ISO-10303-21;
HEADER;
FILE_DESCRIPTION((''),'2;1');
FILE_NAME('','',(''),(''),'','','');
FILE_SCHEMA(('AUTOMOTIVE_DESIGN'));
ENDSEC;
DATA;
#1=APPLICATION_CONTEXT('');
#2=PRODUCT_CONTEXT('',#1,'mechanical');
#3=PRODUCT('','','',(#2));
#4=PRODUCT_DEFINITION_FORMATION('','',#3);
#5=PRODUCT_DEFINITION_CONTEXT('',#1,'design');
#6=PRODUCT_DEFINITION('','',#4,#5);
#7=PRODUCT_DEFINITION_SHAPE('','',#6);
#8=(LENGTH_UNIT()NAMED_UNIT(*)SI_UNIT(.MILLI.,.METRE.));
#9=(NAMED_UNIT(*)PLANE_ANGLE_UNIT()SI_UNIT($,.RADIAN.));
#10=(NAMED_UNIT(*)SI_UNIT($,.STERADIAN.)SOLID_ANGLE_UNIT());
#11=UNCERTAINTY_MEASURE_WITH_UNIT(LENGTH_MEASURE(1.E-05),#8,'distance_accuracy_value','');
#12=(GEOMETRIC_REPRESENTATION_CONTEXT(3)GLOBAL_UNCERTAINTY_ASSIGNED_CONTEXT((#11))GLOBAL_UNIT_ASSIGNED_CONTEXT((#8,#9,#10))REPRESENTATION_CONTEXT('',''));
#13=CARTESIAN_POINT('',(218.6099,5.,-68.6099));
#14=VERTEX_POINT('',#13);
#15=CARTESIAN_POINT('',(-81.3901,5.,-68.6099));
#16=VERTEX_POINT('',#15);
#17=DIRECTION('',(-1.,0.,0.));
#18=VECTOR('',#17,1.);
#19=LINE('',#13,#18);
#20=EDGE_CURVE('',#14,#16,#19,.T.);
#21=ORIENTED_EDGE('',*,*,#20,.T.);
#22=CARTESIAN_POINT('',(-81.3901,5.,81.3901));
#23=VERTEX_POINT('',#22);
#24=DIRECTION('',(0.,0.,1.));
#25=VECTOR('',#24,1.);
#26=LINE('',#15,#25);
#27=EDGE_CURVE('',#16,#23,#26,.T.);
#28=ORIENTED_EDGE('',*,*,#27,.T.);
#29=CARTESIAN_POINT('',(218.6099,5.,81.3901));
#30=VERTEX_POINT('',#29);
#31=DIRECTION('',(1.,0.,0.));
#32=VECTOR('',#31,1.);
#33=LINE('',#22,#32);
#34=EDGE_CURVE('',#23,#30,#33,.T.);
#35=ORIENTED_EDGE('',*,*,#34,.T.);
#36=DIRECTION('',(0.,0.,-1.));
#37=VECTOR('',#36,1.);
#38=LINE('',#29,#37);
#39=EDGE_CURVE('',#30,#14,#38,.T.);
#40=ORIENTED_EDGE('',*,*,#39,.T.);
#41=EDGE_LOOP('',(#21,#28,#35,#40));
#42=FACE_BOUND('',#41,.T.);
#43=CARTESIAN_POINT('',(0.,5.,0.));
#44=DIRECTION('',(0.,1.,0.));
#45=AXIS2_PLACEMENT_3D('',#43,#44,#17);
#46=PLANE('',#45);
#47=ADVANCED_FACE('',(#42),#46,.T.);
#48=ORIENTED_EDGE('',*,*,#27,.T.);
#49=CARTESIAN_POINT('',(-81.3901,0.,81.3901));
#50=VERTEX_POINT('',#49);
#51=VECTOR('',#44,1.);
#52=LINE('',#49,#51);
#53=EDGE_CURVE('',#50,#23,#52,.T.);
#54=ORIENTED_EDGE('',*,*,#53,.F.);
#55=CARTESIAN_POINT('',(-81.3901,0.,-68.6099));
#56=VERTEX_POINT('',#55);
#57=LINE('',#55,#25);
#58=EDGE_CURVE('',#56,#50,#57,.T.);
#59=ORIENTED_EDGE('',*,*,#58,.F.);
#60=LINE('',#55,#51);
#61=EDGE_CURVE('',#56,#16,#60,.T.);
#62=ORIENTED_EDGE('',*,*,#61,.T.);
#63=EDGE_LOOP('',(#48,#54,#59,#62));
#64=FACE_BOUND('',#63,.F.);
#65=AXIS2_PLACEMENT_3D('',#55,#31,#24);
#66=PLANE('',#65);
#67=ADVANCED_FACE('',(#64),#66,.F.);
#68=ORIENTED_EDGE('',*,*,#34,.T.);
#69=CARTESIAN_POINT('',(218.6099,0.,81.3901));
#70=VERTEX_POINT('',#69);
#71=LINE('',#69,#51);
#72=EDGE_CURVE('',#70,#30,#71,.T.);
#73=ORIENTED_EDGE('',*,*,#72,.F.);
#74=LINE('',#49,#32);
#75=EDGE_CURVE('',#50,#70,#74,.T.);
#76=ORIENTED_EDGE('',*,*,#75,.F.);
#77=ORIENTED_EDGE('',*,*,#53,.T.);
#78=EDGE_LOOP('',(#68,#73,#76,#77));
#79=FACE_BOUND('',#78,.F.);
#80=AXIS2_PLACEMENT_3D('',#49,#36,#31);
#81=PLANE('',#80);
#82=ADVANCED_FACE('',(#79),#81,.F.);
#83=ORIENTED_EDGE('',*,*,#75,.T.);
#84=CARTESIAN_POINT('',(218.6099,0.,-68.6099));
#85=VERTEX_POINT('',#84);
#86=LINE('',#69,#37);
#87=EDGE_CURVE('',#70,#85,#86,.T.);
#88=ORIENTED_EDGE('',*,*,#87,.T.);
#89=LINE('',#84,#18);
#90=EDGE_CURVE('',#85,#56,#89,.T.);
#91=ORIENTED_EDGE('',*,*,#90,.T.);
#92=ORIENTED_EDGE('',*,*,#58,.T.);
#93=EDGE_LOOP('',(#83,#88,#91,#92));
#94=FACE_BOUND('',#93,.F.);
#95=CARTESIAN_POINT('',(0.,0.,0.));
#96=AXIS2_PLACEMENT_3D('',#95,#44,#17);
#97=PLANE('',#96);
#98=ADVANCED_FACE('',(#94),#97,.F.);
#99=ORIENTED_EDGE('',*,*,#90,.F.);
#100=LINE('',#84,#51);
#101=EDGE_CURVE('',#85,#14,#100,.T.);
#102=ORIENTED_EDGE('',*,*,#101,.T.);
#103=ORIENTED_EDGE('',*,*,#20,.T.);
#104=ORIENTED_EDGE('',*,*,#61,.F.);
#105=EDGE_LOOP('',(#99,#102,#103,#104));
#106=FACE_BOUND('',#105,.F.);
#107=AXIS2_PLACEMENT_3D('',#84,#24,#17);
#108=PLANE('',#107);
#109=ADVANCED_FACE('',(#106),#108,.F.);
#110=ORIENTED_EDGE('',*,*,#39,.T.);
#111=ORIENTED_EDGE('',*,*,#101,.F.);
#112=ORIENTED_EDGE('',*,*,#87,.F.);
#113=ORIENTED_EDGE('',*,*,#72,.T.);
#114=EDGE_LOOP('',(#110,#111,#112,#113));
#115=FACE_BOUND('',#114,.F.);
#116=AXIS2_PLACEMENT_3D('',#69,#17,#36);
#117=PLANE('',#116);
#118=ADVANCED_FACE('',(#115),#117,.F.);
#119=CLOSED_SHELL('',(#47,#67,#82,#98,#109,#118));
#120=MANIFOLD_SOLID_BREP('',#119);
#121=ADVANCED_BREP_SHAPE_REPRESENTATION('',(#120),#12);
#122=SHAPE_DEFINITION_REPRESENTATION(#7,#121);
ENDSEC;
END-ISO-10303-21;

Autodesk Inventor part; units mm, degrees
ref_plane "YZ Plane" through (0, 0, 0) normal (1, 0, 0) x (0, 1, 0)
ref_plane "XZ Plane" through (0, 0, 0) normal (0, 1, 0) x (-1, 0, 0)
ref_plane "XY Plane" through (0, 0, 0) normal (0, 0, 1) x (1, 0, 0)
sketch "Esquisse1" plane through (0, 0, 0) normal (0, 1, 0) x (-1, 0, 0)
  line L0 (81.3901, 81.3901) -> (-218.6099, 81.3901)
  line L1 (-218.6099, 81.3901) -> (-218.6099, -68.6099)
  line L2 (-218.6099, -68.6099) -> (81.3901, -68.6099)
  line L3 (81.3901, -68.6099) -> (81.3901, 81.3901)
  point P0 (0, 0)
  dimension "d0" = 150
  dimension "d1" = 300
extrude "Extrusion1" add sketch "Esquisse1" along normal blind 5
properties part number "face-laterale"
